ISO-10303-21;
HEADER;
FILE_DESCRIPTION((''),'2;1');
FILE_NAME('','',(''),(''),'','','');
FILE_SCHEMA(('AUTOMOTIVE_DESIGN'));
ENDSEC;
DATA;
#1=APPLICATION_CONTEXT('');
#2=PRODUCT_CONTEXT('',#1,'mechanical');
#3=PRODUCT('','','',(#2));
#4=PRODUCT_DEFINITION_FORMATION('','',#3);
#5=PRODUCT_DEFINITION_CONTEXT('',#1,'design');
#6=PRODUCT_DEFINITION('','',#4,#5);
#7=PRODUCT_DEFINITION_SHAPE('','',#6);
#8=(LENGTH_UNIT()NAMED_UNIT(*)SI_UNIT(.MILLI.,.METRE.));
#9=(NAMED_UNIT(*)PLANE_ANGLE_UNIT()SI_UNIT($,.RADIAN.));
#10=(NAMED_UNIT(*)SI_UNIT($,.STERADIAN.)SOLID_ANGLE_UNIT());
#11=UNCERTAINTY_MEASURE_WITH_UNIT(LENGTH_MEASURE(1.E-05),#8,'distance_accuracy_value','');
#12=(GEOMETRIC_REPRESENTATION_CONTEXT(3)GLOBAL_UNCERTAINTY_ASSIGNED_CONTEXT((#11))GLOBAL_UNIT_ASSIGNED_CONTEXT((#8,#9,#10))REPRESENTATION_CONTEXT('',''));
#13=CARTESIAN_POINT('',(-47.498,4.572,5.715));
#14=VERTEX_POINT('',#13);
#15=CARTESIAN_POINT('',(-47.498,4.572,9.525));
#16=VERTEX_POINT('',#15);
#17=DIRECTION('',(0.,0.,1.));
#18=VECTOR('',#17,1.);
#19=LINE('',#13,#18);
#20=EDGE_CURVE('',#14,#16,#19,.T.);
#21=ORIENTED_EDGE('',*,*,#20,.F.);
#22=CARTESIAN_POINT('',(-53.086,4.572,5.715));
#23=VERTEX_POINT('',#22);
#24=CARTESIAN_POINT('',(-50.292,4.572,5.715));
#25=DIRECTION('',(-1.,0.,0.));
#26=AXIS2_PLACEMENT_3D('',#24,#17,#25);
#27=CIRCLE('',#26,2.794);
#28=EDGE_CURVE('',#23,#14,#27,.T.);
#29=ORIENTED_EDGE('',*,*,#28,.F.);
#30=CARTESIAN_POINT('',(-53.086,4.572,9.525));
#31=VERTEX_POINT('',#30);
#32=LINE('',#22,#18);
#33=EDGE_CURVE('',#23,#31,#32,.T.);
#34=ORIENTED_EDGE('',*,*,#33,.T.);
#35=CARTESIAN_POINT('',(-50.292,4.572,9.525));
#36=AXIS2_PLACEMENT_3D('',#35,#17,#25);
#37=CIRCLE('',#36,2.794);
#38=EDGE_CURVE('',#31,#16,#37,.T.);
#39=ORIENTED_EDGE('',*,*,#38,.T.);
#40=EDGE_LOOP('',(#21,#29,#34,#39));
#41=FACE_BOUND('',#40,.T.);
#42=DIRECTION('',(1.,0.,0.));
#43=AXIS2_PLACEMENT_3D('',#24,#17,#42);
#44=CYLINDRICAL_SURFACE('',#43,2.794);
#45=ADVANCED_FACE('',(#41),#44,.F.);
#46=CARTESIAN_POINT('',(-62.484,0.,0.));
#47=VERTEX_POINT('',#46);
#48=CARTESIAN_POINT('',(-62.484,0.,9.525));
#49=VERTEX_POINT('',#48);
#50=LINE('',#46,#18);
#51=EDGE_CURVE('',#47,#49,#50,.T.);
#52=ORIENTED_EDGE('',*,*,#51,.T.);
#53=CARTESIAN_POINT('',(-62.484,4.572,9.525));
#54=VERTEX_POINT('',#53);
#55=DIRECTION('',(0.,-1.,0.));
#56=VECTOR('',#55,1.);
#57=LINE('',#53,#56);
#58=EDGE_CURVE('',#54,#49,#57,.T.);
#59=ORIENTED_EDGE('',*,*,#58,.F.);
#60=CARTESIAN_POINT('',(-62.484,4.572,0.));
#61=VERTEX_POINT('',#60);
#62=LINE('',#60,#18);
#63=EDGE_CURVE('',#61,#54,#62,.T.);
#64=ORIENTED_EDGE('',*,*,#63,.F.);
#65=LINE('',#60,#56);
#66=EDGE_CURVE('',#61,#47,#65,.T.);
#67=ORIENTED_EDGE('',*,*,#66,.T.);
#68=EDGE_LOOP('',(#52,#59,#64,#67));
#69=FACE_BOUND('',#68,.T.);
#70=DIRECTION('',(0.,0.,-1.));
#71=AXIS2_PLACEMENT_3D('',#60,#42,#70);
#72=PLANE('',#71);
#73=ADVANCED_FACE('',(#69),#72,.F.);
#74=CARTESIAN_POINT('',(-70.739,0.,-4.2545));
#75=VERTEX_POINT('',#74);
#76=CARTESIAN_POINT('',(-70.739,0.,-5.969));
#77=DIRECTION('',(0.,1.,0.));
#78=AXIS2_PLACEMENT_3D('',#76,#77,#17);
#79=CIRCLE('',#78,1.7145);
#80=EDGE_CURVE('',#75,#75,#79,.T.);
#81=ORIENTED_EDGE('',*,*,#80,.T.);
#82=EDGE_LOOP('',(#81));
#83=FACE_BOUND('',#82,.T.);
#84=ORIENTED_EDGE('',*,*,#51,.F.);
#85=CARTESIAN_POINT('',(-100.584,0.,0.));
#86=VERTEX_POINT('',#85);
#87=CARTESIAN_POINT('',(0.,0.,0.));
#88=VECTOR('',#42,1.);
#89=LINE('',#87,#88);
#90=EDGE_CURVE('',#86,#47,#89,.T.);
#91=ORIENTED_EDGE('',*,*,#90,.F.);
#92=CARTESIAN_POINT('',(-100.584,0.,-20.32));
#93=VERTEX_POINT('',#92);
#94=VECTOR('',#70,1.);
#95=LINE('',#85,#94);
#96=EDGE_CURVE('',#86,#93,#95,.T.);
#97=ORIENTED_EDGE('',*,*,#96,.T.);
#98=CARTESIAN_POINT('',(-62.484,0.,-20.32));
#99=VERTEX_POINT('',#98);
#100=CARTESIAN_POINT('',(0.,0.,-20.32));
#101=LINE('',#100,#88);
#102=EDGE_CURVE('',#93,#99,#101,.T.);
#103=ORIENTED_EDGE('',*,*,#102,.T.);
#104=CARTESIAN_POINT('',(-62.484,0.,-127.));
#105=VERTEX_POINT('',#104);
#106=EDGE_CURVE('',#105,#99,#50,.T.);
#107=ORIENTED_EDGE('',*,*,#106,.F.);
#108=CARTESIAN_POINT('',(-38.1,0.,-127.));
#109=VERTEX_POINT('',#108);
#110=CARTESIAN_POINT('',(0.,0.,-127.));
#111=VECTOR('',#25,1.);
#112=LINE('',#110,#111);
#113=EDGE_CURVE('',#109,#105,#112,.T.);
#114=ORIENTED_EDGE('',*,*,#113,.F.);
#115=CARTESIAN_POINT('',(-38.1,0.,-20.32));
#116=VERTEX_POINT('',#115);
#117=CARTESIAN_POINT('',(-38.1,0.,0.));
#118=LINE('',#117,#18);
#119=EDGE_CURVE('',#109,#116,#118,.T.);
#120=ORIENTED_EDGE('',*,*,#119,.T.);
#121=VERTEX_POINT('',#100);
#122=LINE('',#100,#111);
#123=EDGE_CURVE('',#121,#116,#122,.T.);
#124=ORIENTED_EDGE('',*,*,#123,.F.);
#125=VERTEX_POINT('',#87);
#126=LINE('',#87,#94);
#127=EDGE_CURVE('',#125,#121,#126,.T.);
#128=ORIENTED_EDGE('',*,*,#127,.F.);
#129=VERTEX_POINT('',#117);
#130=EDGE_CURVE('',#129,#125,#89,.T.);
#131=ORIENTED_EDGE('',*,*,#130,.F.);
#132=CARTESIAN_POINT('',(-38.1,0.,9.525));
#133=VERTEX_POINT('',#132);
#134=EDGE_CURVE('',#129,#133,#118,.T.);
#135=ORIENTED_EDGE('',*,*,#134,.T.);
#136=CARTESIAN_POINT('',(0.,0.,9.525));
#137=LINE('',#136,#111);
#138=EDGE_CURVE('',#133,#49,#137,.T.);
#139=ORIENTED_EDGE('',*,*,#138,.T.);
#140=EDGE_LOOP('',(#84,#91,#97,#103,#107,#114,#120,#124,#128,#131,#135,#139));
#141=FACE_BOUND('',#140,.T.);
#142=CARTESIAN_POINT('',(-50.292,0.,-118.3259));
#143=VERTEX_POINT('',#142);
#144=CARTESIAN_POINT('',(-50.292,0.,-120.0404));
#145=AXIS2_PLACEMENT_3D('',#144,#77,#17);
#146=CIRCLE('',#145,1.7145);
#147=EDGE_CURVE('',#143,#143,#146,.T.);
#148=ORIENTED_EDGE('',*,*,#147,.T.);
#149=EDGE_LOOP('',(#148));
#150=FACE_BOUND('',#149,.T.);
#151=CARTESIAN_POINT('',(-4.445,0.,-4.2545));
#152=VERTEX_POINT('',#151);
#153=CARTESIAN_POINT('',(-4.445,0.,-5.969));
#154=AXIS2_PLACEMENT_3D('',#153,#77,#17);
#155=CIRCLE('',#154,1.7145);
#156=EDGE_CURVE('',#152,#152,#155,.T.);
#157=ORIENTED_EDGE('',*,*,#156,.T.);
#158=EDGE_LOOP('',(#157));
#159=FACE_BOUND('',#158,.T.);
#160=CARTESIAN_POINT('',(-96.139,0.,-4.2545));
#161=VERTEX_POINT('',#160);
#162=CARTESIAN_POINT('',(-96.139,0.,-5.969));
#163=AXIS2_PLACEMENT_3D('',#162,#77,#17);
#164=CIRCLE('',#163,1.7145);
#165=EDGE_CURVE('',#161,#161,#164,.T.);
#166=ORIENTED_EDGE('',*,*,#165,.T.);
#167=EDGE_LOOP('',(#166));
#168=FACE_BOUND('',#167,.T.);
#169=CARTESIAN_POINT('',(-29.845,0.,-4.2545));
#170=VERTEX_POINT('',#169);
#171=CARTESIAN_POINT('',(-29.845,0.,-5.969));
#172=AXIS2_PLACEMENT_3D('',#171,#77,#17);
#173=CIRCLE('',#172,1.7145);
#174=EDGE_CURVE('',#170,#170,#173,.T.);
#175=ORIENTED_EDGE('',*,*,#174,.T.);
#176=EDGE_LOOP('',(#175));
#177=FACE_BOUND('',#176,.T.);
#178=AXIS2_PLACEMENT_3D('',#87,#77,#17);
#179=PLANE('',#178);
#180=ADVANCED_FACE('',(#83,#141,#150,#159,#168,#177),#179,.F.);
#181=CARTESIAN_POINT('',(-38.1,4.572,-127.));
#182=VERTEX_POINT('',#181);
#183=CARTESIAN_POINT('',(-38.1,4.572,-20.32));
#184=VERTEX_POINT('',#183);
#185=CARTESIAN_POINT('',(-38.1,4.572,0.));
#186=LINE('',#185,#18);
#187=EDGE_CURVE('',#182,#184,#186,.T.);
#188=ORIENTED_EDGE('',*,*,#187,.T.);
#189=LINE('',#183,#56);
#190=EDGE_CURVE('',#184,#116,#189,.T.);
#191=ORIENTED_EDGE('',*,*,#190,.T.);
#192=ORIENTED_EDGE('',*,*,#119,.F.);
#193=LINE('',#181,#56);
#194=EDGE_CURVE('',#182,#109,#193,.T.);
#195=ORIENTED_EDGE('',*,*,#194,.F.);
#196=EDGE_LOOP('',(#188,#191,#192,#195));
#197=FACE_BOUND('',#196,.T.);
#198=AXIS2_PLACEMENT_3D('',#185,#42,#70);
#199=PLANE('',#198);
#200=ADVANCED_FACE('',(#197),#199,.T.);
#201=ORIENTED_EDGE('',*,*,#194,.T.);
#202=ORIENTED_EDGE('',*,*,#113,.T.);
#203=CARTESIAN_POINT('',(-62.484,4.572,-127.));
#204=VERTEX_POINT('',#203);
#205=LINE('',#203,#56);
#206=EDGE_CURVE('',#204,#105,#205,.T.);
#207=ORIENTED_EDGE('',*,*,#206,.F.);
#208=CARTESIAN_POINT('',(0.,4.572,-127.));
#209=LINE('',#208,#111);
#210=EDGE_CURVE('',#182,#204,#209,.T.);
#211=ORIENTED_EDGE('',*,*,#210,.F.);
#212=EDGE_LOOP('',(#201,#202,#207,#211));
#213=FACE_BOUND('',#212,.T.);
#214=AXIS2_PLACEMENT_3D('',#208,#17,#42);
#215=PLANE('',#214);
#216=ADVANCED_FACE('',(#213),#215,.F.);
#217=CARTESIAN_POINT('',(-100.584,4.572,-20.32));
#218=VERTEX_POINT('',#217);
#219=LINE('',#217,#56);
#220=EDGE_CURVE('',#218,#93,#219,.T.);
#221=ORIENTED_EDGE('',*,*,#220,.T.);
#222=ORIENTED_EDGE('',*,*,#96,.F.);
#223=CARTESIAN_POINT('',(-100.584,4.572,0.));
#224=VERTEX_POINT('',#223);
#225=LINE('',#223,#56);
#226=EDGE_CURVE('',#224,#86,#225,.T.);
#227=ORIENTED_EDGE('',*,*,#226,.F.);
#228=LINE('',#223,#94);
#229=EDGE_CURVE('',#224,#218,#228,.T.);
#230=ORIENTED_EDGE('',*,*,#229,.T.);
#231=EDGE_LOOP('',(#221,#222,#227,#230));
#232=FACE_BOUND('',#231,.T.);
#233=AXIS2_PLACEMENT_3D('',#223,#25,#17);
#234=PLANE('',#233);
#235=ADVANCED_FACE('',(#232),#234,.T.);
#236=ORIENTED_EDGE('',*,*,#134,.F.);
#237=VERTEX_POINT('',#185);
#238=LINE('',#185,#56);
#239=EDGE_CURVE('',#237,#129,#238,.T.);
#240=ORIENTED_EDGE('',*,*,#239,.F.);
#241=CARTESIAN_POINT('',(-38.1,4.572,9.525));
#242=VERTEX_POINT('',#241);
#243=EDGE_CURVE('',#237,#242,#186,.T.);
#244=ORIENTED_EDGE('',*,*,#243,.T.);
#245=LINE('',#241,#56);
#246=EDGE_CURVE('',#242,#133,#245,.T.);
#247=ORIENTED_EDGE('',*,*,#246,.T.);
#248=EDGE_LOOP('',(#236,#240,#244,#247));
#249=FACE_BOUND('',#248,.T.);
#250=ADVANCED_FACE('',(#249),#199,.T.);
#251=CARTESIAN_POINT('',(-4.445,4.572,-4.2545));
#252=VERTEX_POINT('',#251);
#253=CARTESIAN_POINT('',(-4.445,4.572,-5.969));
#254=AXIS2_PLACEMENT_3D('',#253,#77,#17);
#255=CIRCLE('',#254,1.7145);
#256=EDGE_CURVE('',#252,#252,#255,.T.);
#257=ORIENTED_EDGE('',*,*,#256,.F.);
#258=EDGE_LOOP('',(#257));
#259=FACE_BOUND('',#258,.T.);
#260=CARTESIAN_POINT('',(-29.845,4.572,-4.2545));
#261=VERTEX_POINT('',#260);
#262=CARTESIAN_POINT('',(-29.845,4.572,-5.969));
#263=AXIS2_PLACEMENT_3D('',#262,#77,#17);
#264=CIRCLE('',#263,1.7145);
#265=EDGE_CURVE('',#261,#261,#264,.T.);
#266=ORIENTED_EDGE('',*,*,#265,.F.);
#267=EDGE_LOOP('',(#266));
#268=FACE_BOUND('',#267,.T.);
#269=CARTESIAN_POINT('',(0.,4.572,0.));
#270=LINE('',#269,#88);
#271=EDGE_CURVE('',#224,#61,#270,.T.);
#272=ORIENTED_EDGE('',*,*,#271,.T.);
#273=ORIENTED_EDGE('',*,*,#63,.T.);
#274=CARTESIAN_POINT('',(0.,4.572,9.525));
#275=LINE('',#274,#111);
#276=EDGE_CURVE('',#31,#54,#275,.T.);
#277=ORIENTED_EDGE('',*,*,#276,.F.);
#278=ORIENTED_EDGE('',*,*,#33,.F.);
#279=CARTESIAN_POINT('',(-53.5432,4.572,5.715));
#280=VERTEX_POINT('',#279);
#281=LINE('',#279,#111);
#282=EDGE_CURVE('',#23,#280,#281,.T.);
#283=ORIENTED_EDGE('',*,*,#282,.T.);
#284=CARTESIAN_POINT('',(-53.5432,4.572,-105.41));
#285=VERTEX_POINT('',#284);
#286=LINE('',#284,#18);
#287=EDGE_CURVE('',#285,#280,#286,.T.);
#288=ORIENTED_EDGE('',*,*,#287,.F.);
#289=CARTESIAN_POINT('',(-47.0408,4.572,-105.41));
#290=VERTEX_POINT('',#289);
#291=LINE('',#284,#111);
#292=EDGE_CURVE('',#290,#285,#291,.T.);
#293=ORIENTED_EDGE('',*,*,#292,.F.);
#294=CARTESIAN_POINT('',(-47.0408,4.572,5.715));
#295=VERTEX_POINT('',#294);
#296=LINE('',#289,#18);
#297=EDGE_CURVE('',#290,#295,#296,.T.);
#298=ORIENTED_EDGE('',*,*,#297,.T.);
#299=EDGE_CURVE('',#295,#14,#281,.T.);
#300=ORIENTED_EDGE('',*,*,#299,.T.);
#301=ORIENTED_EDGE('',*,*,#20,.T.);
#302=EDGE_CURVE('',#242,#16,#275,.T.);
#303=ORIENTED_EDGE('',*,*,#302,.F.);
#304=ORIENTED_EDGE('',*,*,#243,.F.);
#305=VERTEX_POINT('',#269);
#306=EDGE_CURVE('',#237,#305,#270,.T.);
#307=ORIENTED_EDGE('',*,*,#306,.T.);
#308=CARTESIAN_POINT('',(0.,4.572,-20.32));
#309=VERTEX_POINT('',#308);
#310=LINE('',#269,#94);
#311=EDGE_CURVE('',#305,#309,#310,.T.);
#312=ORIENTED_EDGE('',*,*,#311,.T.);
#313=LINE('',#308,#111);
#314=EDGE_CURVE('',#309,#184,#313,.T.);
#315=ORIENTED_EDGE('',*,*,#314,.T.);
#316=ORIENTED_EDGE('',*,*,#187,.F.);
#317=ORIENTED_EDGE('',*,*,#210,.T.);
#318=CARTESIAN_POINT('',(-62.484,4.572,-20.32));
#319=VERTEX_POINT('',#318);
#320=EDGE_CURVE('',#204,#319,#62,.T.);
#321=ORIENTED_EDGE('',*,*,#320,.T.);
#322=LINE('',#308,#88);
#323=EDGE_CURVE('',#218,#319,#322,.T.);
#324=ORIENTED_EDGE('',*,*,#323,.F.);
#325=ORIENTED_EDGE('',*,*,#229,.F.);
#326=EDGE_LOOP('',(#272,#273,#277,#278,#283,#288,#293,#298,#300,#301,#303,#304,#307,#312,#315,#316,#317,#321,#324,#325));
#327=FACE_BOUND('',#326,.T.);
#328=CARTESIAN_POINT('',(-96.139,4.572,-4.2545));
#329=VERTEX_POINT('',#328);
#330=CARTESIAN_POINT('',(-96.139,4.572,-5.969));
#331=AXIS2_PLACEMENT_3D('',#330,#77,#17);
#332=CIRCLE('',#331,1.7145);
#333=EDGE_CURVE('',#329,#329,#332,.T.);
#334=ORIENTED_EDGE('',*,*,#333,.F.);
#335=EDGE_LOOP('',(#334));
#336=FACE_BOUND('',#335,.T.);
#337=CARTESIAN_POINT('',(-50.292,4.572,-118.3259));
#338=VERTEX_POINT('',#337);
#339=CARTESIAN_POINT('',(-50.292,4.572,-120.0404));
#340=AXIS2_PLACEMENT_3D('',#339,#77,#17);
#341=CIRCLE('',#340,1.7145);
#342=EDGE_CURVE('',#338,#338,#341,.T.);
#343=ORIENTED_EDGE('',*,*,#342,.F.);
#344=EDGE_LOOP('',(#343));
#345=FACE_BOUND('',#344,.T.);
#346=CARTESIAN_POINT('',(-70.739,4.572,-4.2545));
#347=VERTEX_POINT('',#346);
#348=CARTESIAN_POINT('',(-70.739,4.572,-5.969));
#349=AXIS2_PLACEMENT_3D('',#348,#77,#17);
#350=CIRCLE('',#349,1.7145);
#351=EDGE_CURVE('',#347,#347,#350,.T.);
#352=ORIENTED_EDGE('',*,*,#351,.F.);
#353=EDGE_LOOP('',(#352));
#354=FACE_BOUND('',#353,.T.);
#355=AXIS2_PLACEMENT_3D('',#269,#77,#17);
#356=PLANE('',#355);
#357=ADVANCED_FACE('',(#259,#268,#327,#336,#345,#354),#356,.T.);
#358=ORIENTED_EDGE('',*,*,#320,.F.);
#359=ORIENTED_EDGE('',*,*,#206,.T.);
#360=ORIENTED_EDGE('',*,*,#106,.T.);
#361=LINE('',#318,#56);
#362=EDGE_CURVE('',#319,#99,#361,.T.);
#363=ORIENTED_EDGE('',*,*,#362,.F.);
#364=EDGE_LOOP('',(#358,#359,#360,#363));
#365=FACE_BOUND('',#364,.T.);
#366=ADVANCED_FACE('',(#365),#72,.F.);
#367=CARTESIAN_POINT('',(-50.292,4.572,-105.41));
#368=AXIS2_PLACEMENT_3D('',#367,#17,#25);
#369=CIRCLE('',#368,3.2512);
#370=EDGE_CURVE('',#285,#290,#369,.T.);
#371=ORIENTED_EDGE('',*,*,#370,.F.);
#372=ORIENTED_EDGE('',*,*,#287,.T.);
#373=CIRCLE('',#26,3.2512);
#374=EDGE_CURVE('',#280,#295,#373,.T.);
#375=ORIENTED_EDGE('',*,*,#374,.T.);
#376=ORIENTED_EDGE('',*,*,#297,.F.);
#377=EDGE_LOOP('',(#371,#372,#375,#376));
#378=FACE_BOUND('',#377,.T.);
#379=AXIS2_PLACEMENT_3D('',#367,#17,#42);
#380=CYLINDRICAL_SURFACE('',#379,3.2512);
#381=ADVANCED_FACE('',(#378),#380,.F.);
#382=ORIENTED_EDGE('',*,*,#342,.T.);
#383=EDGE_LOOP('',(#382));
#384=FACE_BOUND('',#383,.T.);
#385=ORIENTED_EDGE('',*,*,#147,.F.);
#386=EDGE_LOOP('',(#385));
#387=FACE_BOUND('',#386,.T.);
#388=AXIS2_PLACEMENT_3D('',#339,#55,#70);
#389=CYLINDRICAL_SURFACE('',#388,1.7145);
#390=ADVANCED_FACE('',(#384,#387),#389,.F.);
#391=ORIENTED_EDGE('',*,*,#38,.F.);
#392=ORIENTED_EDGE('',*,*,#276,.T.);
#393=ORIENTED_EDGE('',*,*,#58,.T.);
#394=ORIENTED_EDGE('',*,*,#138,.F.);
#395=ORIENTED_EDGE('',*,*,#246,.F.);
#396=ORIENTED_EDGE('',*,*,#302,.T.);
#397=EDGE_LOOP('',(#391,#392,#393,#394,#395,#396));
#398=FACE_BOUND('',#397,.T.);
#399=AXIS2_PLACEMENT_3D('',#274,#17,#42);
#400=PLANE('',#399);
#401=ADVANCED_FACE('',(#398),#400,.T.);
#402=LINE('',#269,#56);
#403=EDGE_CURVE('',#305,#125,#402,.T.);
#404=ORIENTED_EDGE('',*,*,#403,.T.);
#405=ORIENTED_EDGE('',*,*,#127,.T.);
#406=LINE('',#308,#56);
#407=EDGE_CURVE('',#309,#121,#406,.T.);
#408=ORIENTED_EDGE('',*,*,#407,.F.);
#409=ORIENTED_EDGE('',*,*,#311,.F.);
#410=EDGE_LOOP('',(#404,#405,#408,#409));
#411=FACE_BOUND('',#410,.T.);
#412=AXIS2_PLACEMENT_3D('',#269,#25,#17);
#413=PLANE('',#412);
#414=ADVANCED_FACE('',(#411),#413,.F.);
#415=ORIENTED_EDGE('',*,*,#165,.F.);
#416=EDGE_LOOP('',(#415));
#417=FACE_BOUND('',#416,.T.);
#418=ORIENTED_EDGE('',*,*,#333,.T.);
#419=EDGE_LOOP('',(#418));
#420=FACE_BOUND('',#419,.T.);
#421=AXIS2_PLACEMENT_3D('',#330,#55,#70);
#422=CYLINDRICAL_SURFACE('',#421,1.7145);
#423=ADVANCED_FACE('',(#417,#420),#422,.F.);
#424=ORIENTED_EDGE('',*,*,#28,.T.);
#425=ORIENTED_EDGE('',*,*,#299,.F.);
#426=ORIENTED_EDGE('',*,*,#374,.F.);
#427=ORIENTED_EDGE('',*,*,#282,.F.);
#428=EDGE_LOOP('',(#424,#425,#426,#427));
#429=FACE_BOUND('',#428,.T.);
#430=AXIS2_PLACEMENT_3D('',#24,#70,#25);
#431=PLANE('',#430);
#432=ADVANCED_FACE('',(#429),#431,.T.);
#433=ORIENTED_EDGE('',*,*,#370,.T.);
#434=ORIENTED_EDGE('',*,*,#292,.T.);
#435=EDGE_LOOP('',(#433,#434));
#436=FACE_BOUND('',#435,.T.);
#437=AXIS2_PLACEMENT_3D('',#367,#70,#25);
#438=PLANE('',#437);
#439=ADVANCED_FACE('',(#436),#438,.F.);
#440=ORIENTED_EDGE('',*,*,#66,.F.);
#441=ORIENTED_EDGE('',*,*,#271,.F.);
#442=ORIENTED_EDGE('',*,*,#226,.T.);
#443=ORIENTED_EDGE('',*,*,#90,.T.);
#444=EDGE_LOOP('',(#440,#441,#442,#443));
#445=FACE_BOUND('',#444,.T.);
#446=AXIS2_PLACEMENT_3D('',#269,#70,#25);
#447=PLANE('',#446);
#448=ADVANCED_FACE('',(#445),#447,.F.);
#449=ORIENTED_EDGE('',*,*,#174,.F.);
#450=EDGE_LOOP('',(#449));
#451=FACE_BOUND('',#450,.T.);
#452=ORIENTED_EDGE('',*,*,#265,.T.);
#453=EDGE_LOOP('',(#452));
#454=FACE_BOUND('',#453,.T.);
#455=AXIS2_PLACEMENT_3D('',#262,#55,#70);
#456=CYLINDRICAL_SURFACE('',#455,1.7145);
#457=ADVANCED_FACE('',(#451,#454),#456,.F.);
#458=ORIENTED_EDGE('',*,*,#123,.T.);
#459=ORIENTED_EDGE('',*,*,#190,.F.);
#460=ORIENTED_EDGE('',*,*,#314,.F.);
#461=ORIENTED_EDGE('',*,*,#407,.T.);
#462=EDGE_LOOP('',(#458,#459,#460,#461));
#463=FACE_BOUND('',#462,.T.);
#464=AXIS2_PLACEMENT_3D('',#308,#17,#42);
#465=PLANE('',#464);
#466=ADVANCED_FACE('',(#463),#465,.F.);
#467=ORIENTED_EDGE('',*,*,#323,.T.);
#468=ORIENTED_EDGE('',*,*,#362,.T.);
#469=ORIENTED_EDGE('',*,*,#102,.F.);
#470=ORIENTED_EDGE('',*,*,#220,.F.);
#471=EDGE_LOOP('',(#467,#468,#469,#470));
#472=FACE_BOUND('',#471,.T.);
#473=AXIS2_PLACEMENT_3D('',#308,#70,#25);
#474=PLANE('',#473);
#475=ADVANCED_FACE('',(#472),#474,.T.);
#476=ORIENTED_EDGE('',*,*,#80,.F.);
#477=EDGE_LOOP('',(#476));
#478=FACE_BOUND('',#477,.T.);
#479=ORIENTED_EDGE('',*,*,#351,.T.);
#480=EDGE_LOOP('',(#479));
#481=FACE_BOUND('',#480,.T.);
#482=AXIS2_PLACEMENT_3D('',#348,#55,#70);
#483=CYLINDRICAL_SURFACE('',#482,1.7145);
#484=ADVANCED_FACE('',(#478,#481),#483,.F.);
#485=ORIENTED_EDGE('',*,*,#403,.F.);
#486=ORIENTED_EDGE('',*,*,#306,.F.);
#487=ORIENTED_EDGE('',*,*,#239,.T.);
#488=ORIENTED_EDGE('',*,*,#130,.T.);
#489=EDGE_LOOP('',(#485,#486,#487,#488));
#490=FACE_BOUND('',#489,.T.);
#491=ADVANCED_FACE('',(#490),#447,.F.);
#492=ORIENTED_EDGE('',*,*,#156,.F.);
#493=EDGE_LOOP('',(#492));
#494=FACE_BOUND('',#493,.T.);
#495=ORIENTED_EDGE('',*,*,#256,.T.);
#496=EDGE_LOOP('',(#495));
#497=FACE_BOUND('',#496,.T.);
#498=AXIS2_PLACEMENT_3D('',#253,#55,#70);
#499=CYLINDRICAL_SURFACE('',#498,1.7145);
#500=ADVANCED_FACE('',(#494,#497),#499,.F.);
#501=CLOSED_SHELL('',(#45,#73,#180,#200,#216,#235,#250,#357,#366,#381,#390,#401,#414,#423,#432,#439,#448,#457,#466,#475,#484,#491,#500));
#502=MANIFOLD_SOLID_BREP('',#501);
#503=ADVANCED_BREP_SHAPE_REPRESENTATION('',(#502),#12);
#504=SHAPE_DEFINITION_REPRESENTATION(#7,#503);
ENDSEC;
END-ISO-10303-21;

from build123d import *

# Parameters (mm, degrees)
SKETCH1_R           = 1.7145
BOSS_EXTRUDE1_DEPTH = 4.572
CUT_EXTRUDE1_DEPTH  = 3.81
CUT_EXTRUDE2_DEPTH  = 111.125


with BuildPart() as part:
    # Sketch1 → Boss-Extrude1 (new body)
    with BuildSketch(Plane(origin=(0, 0, 0), x_dir=(1, 0, 0), z_dir=(0, 1, 0))):
        Polygon((-4.445, 0), (0, 0), (0, 20.32), (-38.1, 20.32), (-38.1, 127), (-62.484, 127), (-62.484, 20.32), (-100.584, 20.32), (-100.584, 0), (-62.484, 0), (-62.484, -9.525), (-38.1, -9.525), (-38.1, 0), align=None)
        with Locations(Location((-96.139, 5.969, 0), (0, 0, 270))):
            Circle(SKETCH1_R, mode=Mode.SUBTRACT)
        with Locations(Location((-70.739, 5.969, 0), (0, 0, 270))):
            Circle(SKETCH1_R, mode=Mode.SUBTRACT)
        with Locations(Location((-29.845, 5.969, 0), (0, 0, 270))):
            Circle(SKETCH1_R, mode=Mode.SUBTRACT)
        with Locations(Location((-4.445, 5.969, 0), (0, 0, 270))):
            Circle(SKETCH1_R, mode=Mode.SUBTRACT)
        with Locations(Location((-50.292, 120.0404, 0), (0, 0, 270))):
            Circle(SKETCH1_R, mode=Mode.SUBTRACT)
    extrude(amount=BOSS_EXTRUDE1_DEPTH)

    # Sketch2 → Cut-Extrude1 (cut)
    with BuildSketch(Plane.XY.offset(9.525)):
        with BuildLine():
            Line((-53.086, 4.572), (-47.498, 4.572))
            ThreePointArc((-47.498, 4.572), (-50.292, 1.778), (-53.086, 4.572))
        make_face()
    extrude(amount=-CUT_EXTRUDE1_DEPTH, mode=Mode.SUBTRACT)

    # Sketch3 → Cut-Extrude2 (cut)
    with BuildSketch(Plane.XY.offset(5.715)):
        with BuildLine():
            Line((-53.5432, 4.572), (-47.0408, 4.572))
            ThreePointArc((-47.0408, 4.572), (-50.292, 1.3208), (-53.5432, 4.572))
        make_face()
    extrude(amount=-CUT_EXTRUDE2_DEPTH, mode=Mode.SUBTRACT)


solid = part.part
